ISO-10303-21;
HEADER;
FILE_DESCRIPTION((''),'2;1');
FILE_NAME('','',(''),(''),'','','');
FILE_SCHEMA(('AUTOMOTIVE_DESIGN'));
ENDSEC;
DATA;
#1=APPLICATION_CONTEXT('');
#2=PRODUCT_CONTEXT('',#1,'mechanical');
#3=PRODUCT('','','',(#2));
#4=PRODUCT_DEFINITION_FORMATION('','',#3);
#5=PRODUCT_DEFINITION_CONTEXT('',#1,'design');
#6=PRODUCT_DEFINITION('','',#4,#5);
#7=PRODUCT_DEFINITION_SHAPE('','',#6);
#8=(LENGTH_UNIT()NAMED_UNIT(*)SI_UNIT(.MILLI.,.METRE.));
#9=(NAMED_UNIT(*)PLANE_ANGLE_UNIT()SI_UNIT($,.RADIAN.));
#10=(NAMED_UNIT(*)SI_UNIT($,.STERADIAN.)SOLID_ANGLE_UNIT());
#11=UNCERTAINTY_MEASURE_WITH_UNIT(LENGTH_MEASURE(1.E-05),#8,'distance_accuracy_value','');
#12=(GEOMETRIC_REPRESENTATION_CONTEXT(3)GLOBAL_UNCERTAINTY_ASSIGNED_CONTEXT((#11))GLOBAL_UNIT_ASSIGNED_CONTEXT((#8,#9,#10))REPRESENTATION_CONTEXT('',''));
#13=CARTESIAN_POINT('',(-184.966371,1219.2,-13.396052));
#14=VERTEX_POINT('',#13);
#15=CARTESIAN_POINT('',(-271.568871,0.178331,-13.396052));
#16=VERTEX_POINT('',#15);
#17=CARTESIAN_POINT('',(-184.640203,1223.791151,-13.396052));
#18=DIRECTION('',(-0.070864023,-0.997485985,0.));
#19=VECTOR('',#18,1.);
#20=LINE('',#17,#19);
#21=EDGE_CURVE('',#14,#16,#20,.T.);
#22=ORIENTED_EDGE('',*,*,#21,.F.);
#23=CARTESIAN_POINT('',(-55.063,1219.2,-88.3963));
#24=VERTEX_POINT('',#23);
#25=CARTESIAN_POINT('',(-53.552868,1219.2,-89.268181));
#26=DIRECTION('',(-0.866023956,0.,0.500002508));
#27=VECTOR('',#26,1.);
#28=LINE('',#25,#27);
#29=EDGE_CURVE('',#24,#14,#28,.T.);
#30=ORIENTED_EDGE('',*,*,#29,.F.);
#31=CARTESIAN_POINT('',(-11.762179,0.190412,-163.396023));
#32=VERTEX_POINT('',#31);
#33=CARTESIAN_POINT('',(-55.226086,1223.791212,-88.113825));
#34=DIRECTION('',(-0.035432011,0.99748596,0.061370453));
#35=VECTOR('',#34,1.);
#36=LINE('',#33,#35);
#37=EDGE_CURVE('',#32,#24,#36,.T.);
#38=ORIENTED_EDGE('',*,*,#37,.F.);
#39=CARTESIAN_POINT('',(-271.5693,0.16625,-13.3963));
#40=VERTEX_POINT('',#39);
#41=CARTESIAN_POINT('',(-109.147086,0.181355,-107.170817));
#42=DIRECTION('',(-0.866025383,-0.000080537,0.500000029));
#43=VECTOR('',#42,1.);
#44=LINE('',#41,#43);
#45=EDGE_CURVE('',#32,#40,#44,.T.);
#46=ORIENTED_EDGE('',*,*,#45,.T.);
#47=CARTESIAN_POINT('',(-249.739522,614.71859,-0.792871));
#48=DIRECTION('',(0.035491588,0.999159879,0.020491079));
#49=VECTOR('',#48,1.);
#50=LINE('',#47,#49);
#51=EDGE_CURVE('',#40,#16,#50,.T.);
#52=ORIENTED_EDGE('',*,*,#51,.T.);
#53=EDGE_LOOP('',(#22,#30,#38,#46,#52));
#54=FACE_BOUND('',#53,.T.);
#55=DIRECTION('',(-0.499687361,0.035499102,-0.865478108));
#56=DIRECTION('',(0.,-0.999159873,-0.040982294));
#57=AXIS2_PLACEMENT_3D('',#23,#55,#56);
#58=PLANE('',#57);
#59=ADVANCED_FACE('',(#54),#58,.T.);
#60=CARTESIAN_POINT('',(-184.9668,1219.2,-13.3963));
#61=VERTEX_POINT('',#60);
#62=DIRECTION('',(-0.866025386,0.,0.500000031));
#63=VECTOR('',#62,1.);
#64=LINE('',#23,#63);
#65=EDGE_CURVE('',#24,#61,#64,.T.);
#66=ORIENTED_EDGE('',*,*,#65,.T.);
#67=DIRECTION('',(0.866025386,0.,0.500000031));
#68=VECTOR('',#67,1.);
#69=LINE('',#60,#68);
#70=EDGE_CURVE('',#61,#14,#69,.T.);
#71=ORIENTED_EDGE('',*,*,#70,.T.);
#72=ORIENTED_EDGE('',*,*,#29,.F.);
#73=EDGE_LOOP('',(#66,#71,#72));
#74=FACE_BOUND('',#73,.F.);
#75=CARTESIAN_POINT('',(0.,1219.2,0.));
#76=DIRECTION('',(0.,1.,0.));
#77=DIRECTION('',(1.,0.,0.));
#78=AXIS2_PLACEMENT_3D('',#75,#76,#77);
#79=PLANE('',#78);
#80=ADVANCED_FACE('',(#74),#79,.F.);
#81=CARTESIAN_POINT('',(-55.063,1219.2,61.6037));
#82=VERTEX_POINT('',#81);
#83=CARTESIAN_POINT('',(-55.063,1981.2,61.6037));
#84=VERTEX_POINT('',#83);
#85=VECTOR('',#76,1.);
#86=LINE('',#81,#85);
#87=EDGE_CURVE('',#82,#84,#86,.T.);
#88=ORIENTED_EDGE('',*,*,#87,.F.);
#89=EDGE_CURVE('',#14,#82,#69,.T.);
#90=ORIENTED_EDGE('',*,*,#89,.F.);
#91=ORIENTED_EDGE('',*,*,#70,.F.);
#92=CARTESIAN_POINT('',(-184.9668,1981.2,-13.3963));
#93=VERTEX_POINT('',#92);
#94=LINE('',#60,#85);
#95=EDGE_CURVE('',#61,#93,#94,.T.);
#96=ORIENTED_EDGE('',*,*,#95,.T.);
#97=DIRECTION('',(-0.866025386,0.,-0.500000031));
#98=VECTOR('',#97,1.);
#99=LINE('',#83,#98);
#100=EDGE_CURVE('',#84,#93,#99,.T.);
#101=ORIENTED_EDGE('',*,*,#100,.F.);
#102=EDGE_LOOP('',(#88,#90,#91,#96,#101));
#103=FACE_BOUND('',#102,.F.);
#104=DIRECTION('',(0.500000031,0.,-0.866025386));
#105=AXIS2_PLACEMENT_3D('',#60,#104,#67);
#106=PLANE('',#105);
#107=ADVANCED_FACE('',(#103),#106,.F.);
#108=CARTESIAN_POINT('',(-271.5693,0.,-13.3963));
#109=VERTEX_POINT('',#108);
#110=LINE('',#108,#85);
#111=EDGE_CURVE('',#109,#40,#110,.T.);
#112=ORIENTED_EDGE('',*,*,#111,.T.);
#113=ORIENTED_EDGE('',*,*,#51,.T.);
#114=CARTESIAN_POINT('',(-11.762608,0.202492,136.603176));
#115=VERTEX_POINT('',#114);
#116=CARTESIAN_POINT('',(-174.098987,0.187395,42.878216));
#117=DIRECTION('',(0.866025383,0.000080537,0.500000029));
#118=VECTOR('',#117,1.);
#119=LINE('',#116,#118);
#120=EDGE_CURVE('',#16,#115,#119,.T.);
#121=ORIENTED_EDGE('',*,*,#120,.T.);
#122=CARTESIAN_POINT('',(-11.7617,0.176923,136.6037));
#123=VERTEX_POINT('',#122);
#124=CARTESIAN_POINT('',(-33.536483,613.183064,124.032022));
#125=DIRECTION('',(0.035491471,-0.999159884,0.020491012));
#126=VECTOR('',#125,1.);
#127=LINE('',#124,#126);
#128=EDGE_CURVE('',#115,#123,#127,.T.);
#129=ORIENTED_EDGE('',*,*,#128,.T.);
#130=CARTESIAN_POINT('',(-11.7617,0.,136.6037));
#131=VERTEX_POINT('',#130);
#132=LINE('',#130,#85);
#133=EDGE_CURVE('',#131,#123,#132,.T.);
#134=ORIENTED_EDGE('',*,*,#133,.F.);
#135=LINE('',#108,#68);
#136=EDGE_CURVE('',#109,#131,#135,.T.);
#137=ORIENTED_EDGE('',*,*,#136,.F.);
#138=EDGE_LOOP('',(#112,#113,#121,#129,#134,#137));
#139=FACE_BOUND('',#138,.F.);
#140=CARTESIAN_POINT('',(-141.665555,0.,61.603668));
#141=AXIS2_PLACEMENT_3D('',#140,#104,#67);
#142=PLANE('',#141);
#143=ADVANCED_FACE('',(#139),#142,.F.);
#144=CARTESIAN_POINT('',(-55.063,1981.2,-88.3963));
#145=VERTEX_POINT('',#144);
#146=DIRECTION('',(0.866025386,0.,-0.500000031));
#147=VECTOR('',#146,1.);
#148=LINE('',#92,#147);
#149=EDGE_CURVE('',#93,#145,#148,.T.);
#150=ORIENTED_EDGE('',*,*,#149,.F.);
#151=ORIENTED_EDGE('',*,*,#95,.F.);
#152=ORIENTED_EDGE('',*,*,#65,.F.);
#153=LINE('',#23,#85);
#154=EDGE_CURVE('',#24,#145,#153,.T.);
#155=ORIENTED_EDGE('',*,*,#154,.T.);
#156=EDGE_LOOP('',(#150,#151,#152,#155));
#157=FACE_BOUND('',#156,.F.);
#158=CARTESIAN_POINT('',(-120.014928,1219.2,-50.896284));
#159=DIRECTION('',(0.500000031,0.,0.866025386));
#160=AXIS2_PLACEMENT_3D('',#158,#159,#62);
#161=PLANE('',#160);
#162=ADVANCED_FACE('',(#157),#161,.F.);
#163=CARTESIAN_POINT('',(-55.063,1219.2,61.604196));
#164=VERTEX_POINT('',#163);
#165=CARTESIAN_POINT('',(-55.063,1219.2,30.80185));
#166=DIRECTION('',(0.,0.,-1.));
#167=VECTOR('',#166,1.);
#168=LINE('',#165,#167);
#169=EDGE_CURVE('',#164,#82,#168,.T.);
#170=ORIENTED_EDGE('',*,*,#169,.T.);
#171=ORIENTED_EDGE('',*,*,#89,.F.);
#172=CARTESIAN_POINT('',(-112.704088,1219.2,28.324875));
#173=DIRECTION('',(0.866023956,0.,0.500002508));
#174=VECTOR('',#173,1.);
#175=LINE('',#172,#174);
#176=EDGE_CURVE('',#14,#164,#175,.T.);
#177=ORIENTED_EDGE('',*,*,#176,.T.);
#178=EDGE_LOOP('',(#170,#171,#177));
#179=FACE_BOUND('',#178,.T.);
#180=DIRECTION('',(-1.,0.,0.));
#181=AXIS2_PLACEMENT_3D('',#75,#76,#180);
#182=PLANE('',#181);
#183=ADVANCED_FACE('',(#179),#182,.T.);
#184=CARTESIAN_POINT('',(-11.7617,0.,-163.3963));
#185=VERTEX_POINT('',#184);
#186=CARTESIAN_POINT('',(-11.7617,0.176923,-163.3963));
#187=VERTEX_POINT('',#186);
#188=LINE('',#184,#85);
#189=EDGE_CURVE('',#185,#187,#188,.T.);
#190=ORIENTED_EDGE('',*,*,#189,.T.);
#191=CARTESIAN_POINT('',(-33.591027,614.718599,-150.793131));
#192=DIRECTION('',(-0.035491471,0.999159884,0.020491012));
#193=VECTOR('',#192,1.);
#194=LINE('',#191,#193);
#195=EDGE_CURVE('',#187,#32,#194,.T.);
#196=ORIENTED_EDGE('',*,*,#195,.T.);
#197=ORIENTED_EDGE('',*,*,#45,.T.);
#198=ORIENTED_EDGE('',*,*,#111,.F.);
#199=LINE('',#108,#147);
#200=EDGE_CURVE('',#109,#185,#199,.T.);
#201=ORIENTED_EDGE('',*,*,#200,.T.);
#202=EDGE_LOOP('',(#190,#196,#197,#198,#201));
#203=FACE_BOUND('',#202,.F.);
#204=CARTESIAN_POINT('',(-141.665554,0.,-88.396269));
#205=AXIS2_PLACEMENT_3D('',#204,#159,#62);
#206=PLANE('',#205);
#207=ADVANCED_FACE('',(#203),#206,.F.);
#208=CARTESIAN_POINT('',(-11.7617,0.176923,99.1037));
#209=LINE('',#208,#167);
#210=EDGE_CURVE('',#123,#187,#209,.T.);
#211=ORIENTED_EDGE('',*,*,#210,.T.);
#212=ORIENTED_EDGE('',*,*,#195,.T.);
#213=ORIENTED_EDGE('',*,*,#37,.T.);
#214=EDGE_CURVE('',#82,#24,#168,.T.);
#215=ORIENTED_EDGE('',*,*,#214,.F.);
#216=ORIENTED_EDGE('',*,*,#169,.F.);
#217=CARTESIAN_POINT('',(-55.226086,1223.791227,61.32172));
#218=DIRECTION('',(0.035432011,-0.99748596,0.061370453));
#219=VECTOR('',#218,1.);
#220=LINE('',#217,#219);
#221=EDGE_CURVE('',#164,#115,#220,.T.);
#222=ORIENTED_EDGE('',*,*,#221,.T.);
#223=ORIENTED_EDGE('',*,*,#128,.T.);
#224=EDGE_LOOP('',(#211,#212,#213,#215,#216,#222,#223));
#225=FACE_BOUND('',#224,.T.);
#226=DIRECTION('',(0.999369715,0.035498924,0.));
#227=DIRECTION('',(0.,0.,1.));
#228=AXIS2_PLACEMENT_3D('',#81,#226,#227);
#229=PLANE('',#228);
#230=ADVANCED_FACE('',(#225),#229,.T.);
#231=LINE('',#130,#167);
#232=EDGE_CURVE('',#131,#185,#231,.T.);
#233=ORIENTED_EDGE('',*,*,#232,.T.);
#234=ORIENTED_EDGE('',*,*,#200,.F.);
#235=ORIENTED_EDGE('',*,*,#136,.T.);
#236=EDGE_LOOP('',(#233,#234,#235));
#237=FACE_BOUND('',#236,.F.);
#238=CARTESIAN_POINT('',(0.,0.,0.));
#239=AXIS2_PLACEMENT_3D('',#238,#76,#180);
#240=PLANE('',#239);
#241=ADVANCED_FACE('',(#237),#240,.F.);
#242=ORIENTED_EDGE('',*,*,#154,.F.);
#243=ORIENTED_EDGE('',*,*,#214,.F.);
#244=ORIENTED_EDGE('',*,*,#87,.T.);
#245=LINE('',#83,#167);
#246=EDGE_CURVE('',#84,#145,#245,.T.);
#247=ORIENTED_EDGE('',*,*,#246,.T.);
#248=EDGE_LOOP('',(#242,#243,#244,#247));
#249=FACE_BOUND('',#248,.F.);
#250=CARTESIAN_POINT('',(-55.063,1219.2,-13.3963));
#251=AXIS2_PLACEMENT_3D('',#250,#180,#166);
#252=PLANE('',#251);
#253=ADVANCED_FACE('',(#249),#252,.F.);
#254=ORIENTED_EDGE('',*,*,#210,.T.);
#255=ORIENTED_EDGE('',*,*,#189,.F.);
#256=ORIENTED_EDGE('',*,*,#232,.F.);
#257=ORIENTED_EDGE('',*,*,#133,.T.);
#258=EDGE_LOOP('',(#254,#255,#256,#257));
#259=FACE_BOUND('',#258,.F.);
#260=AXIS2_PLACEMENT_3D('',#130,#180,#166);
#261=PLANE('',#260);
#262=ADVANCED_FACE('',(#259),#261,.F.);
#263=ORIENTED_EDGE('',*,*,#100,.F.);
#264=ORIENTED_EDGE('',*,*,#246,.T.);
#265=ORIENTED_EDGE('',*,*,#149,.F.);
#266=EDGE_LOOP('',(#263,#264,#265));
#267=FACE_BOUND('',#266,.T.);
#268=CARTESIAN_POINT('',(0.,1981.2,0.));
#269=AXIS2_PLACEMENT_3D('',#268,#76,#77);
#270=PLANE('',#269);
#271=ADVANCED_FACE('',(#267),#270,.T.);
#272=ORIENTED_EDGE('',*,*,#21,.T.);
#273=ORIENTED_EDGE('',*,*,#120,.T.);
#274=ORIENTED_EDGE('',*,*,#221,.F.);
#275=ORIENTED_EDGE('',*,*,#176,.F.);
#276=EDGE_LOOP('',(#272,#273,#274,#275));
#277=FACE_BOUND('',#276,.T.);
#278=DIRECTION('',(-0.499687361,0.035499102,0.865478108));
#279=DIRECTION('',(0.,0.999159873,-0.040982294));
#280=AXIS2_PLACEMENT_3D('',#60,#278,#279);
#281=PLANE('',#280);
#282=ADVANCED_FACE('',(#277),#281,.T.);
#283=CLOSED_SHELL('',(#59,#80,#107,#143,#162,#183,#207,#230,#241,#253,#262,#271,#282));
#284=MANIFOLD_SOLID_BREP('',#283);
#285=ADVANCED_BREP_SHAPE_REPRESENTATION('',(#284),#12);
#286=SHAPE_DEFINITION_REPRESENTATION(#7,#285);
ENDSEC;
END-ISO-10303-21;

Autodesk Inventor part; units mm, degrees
sketch "Sketch1" plane through (0, 0, 0) normal (0, 1, 0) x (-1, 0, 0)
  line L0 (11.7617, 136.6037) -> (11.7617, -163.3963)
  line L1 (11.7617, -163.3963) -> (271.5693, -13.3963)
  line L2 (271.5693, -13.3963) -> (11.7617, 136.6037)
  circle A0 centre (98.3643, -13.3963) radius 86.6025
  line L3 (55.063, 61.6037) -> (55.063, -88.3963)
  line L4 (55.063, 61.6037) -> (184.9668, -13.3963)
  line L5 (55.063, 61.6037) -> (205.063, 61.6037) construction
  line L6 (184.9668, -13.3963) -> (55.063, -88.3963)
  circle A1 centre (98.3643, -13.3963) radius 43.3013
  point P0 (85.0813, -150)
  point P1 (141.6655, 61.6037)
  point P2 (141.6655, -88.3963)
  point P3 (11.7617, -13.3963)
  point P4 (203.5969, -52.6402)
  dimension "d10" = 300
  dimension "d11" = 300
  dimension "d12" = 60
  dimension "d13" = 150
  dimension "d14" = 150
  dimension "d15" = 30
ref_plane "Work Plane1" through (-52.1275, 0, 74.1452) normal (0, -1, 0) x (0, 0, -1)
extrude "Extrusion2" add sketch "Sketch1" along normal blind 1219.2
sketch "Sketch2" plane through (0, 1219.2, 0) normal (0, 1, 0) x (1, 0, 0)
  line L0 (-271.5693, 13.3963) -> (-11.7617, -136.6037) projected
  line L1 (-11.7617, -136.6037) -> (-11.7617, 163.3963) projected
  line L2 (-11.7617, 163.3963) -> (-271.5693, 13.3963) projected
  circle A0 centre (-98.3643, 13.3963) radius 86.6025
  line L3 (-55.063, -61.6037) -> (-55.063, 88.3963)
  line L4 (-55.063, 88.3963) -> (-184.9668, 13.3963)
  line L5 (-184.9668, 13.3963) -> (-55.063, -61.6037)
  circle A1 centre (-98.3643, 13.3963) radius 43.3013
  point P0 (0, 0)
  point P1 (-141.6655, -61.6037)
  point P2 (-11.7617, 13.3963)
  point P3 (-141.6655, 88.3963)
  dimension "d18" = 150
  dimension "d19" = 150
ref_plane "Work Plane2" through (-55.063, 1219.2, 61.6037) normal (-0.9994, -0.0355, 0) x (0, 0, -1)
split "Split1" plane through (-55.063, 1219.2, 61.6037) removes the side toward (0.9994, 0.0355, 0)
ref_plane "Work Plane3" through (-184.9668, 1219.2, -13.3963) normal (0.4997, -0.0355, -0.8655) x (0.866, 0, 0.5)
split "Split2" plane through (-184.9668, 1219.2, -13.3963) removes the side toward (-0.4997, 0.0355, 0.8655)
ref_plane "Work Plane4" through (-55.063, 1219.2, -88.3963) normal (0.4997, -0.0355, 0.8655) x (-0.866, 0, 0.5)
split "Split3" plane through (-55.063, 1219.2, -88.3963) removes the side toward (-0.4997, 0.0355, -0.8655)
extrude "Extrusion3" add sketch "Sketch2" along normal blind 762 contours L4 A1 L5 | L5 A1 L3 | L3 A1 L4 | A1
properties part number "pillar"
